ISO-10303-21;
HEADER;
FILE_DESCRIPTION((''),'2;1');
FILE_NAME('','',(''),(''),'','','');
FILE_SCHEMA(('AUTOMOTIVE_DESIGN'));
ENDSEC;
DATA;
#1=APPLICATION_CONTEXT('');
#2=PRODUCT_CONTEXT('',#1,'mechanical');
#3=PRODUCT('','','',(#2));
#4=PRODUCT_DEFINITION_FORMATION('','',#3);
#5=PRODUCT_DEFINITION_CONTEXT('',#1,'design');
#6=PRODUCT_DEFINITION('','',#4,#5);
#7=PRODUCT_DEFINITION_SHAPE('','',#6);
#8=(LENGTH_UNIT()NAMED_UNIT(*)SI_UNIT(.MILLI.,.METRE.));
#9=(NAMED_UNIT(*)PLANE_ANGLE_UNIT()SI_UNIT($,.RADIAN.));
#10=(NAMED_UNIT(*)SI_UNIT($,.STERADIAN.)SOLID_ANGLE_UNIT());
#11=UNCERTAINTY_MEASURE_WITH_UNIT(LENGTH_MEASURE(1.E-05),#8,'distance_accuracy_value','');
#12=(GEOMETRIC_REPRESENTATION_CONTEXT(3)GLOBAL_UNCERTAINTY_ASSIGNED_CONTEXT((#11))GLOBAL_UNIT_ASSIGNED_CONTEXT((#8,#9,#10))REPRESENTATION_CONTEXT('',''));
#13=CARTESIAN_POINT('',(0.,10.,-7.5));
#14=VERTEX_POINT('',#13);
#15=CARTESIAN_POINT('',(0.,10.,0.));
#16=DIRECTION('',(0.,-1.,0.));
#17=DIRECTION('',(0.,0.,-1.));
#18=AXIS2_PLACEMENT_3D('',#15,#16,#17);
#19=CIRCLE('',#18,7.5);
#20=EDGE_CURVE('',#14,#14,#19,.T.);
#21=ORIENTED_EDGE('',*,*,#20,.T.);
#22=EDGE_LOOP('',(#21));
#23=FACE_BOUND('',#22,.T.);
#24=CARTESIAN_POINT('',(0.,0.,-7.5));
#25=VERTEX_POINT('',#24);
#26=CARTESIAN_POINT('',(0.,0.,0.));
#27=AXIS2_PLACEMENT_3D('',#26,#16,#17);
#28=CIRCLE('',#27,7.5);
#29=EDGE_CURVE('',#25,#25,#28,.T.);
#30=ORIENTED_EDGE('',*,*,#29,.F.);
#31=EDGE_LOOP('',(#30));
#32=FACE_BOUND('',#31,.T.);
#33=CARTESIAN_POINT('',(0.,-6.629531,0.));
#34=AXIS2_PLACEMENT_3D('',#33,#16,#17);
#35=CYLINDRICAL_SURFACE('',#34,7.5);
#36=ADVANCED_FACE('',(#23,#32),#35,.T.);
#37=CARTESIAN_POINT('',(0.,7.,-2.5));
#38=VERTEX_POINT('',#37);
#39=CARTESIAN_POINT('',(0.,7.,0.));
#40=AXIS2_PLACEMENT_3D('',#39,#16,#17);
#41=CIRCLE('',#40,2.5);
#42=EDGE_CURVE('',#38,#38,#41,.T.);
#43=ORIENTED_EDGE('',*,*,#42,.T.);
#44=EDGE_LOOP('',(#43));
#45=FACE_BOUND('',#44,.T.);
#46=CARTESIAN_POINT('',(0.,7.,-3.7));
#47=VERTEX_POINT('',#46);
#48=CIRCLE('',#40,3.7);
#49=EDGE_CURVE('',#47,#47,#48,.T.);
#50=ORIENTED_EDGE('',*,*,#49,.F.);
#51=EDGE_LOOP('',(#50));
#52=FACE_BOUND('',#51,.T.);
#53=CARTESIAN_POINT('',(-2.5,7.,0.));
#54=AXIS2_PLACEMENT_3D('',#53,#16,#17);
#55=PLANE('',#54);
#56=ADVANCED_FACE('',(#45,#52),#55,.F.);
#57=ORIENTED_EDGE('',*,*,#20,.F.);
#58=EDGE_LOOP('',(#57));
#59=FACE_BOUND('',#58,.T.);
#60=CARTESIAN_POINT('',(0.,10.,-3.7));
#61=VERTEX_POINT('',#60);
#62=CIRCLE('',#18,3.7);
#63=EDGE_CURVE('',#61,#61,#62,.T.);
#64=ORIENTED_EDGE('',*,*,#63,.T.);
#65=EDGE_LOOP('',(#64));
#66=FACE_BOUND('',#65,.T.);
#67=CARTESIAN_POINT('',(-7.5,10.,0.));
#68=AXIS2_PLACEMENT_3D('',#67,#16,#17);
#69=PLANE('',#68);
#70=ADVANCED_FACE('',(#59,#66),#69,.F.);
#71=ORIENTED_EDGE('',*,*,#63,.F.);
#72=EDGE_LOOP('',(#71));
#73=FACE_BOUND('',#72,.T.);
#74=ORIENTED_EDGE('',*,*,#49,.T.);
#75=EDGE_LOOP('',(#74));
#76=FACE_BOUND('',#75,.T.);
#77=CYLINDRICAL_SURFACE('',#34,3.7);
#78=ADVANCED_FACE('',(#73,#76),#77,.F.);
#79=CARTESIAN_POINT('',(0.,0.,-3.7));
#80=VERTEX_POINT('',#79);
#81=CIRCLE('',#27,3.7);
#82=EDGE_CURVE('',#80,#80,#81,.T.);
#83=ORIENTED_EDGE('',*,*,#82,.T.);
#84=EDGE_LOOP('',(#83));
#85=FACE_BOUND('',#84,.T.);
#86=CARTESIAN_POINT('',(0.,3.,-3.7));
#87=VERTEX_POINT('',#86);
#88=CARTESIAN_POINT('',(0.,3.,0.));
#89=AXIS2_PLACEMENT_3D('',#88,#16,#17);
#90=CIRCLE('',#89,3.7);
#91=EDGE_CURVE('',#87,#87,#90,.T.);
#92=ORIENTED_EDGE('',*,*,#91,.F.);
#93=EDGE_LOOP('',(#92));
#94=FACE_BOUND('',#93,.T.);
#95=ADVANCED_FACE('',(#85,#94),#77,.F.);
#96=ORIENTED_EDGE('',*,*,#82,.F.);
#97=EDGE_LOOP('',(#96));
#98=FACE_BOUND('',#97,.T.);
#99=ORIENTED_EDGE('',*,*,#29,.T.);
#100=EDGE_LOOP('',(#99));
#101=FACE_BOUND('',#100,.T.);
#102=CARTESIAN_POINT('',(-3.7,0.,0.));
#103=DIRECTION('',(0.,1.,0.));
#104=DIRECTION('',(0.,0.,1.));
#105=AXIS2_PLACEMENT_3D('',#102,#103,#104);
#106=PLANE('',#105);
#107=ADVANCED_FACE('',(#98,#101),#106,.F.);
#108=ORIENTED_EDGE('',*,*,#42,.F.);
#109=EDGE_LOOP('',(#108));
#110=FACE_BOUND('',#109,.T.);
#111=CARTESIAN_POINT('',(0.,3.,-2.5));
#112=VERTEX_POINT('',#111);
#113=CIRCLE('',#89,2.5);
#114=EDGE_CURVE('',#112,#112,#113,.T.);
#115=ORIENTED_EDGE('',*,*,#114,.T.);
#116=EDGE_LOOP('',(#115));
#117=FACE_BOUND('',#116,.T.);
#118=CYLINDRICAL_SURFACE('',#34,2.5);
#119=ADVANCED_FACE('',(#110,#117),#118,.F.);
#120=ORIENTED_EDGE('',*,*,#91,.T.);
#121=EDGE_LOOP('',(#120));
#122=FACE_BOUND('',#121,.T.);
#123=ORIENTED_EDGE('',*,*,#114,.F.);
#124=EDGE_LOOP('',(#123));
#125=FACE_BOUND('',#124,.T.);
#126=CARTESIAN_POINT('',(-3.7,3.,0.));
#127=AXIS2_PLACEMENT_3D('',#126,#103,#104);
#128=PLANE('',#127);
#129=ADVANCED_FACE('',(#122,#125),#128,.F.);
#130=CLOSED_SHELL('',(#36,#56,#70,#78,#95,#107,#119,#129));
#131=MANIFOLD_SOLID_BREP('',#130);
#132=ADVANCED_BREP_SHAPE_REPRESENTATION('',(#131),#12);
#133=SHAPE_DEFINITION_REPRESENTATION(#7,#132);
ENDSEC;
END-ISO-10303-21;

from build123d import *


with BuildPart() as part:
    # Sketch1 → Revolve1 (revolve)
    with BuildSketch(Plane.XY, mode=Mode.PRIVATE) as revolve1_sk:
        Polygon((-3.7, 0), (-7.5, 0), (-7.5, 0.5), (-7.5, 5.5), (-7.5, 10), (-3.7, 10), (-3.7, 7), (-2.5, 7), (-2.5, 3), (-3.7, 3), align=None)
    revolve(revolve1_sk.sketch.rotate(Axis((0, -6.629530881, 0), (0, 1, 0)), 270), axis=Axis((0, -6.629530881, 0), (0, 1, 0)))


solid = part.part
